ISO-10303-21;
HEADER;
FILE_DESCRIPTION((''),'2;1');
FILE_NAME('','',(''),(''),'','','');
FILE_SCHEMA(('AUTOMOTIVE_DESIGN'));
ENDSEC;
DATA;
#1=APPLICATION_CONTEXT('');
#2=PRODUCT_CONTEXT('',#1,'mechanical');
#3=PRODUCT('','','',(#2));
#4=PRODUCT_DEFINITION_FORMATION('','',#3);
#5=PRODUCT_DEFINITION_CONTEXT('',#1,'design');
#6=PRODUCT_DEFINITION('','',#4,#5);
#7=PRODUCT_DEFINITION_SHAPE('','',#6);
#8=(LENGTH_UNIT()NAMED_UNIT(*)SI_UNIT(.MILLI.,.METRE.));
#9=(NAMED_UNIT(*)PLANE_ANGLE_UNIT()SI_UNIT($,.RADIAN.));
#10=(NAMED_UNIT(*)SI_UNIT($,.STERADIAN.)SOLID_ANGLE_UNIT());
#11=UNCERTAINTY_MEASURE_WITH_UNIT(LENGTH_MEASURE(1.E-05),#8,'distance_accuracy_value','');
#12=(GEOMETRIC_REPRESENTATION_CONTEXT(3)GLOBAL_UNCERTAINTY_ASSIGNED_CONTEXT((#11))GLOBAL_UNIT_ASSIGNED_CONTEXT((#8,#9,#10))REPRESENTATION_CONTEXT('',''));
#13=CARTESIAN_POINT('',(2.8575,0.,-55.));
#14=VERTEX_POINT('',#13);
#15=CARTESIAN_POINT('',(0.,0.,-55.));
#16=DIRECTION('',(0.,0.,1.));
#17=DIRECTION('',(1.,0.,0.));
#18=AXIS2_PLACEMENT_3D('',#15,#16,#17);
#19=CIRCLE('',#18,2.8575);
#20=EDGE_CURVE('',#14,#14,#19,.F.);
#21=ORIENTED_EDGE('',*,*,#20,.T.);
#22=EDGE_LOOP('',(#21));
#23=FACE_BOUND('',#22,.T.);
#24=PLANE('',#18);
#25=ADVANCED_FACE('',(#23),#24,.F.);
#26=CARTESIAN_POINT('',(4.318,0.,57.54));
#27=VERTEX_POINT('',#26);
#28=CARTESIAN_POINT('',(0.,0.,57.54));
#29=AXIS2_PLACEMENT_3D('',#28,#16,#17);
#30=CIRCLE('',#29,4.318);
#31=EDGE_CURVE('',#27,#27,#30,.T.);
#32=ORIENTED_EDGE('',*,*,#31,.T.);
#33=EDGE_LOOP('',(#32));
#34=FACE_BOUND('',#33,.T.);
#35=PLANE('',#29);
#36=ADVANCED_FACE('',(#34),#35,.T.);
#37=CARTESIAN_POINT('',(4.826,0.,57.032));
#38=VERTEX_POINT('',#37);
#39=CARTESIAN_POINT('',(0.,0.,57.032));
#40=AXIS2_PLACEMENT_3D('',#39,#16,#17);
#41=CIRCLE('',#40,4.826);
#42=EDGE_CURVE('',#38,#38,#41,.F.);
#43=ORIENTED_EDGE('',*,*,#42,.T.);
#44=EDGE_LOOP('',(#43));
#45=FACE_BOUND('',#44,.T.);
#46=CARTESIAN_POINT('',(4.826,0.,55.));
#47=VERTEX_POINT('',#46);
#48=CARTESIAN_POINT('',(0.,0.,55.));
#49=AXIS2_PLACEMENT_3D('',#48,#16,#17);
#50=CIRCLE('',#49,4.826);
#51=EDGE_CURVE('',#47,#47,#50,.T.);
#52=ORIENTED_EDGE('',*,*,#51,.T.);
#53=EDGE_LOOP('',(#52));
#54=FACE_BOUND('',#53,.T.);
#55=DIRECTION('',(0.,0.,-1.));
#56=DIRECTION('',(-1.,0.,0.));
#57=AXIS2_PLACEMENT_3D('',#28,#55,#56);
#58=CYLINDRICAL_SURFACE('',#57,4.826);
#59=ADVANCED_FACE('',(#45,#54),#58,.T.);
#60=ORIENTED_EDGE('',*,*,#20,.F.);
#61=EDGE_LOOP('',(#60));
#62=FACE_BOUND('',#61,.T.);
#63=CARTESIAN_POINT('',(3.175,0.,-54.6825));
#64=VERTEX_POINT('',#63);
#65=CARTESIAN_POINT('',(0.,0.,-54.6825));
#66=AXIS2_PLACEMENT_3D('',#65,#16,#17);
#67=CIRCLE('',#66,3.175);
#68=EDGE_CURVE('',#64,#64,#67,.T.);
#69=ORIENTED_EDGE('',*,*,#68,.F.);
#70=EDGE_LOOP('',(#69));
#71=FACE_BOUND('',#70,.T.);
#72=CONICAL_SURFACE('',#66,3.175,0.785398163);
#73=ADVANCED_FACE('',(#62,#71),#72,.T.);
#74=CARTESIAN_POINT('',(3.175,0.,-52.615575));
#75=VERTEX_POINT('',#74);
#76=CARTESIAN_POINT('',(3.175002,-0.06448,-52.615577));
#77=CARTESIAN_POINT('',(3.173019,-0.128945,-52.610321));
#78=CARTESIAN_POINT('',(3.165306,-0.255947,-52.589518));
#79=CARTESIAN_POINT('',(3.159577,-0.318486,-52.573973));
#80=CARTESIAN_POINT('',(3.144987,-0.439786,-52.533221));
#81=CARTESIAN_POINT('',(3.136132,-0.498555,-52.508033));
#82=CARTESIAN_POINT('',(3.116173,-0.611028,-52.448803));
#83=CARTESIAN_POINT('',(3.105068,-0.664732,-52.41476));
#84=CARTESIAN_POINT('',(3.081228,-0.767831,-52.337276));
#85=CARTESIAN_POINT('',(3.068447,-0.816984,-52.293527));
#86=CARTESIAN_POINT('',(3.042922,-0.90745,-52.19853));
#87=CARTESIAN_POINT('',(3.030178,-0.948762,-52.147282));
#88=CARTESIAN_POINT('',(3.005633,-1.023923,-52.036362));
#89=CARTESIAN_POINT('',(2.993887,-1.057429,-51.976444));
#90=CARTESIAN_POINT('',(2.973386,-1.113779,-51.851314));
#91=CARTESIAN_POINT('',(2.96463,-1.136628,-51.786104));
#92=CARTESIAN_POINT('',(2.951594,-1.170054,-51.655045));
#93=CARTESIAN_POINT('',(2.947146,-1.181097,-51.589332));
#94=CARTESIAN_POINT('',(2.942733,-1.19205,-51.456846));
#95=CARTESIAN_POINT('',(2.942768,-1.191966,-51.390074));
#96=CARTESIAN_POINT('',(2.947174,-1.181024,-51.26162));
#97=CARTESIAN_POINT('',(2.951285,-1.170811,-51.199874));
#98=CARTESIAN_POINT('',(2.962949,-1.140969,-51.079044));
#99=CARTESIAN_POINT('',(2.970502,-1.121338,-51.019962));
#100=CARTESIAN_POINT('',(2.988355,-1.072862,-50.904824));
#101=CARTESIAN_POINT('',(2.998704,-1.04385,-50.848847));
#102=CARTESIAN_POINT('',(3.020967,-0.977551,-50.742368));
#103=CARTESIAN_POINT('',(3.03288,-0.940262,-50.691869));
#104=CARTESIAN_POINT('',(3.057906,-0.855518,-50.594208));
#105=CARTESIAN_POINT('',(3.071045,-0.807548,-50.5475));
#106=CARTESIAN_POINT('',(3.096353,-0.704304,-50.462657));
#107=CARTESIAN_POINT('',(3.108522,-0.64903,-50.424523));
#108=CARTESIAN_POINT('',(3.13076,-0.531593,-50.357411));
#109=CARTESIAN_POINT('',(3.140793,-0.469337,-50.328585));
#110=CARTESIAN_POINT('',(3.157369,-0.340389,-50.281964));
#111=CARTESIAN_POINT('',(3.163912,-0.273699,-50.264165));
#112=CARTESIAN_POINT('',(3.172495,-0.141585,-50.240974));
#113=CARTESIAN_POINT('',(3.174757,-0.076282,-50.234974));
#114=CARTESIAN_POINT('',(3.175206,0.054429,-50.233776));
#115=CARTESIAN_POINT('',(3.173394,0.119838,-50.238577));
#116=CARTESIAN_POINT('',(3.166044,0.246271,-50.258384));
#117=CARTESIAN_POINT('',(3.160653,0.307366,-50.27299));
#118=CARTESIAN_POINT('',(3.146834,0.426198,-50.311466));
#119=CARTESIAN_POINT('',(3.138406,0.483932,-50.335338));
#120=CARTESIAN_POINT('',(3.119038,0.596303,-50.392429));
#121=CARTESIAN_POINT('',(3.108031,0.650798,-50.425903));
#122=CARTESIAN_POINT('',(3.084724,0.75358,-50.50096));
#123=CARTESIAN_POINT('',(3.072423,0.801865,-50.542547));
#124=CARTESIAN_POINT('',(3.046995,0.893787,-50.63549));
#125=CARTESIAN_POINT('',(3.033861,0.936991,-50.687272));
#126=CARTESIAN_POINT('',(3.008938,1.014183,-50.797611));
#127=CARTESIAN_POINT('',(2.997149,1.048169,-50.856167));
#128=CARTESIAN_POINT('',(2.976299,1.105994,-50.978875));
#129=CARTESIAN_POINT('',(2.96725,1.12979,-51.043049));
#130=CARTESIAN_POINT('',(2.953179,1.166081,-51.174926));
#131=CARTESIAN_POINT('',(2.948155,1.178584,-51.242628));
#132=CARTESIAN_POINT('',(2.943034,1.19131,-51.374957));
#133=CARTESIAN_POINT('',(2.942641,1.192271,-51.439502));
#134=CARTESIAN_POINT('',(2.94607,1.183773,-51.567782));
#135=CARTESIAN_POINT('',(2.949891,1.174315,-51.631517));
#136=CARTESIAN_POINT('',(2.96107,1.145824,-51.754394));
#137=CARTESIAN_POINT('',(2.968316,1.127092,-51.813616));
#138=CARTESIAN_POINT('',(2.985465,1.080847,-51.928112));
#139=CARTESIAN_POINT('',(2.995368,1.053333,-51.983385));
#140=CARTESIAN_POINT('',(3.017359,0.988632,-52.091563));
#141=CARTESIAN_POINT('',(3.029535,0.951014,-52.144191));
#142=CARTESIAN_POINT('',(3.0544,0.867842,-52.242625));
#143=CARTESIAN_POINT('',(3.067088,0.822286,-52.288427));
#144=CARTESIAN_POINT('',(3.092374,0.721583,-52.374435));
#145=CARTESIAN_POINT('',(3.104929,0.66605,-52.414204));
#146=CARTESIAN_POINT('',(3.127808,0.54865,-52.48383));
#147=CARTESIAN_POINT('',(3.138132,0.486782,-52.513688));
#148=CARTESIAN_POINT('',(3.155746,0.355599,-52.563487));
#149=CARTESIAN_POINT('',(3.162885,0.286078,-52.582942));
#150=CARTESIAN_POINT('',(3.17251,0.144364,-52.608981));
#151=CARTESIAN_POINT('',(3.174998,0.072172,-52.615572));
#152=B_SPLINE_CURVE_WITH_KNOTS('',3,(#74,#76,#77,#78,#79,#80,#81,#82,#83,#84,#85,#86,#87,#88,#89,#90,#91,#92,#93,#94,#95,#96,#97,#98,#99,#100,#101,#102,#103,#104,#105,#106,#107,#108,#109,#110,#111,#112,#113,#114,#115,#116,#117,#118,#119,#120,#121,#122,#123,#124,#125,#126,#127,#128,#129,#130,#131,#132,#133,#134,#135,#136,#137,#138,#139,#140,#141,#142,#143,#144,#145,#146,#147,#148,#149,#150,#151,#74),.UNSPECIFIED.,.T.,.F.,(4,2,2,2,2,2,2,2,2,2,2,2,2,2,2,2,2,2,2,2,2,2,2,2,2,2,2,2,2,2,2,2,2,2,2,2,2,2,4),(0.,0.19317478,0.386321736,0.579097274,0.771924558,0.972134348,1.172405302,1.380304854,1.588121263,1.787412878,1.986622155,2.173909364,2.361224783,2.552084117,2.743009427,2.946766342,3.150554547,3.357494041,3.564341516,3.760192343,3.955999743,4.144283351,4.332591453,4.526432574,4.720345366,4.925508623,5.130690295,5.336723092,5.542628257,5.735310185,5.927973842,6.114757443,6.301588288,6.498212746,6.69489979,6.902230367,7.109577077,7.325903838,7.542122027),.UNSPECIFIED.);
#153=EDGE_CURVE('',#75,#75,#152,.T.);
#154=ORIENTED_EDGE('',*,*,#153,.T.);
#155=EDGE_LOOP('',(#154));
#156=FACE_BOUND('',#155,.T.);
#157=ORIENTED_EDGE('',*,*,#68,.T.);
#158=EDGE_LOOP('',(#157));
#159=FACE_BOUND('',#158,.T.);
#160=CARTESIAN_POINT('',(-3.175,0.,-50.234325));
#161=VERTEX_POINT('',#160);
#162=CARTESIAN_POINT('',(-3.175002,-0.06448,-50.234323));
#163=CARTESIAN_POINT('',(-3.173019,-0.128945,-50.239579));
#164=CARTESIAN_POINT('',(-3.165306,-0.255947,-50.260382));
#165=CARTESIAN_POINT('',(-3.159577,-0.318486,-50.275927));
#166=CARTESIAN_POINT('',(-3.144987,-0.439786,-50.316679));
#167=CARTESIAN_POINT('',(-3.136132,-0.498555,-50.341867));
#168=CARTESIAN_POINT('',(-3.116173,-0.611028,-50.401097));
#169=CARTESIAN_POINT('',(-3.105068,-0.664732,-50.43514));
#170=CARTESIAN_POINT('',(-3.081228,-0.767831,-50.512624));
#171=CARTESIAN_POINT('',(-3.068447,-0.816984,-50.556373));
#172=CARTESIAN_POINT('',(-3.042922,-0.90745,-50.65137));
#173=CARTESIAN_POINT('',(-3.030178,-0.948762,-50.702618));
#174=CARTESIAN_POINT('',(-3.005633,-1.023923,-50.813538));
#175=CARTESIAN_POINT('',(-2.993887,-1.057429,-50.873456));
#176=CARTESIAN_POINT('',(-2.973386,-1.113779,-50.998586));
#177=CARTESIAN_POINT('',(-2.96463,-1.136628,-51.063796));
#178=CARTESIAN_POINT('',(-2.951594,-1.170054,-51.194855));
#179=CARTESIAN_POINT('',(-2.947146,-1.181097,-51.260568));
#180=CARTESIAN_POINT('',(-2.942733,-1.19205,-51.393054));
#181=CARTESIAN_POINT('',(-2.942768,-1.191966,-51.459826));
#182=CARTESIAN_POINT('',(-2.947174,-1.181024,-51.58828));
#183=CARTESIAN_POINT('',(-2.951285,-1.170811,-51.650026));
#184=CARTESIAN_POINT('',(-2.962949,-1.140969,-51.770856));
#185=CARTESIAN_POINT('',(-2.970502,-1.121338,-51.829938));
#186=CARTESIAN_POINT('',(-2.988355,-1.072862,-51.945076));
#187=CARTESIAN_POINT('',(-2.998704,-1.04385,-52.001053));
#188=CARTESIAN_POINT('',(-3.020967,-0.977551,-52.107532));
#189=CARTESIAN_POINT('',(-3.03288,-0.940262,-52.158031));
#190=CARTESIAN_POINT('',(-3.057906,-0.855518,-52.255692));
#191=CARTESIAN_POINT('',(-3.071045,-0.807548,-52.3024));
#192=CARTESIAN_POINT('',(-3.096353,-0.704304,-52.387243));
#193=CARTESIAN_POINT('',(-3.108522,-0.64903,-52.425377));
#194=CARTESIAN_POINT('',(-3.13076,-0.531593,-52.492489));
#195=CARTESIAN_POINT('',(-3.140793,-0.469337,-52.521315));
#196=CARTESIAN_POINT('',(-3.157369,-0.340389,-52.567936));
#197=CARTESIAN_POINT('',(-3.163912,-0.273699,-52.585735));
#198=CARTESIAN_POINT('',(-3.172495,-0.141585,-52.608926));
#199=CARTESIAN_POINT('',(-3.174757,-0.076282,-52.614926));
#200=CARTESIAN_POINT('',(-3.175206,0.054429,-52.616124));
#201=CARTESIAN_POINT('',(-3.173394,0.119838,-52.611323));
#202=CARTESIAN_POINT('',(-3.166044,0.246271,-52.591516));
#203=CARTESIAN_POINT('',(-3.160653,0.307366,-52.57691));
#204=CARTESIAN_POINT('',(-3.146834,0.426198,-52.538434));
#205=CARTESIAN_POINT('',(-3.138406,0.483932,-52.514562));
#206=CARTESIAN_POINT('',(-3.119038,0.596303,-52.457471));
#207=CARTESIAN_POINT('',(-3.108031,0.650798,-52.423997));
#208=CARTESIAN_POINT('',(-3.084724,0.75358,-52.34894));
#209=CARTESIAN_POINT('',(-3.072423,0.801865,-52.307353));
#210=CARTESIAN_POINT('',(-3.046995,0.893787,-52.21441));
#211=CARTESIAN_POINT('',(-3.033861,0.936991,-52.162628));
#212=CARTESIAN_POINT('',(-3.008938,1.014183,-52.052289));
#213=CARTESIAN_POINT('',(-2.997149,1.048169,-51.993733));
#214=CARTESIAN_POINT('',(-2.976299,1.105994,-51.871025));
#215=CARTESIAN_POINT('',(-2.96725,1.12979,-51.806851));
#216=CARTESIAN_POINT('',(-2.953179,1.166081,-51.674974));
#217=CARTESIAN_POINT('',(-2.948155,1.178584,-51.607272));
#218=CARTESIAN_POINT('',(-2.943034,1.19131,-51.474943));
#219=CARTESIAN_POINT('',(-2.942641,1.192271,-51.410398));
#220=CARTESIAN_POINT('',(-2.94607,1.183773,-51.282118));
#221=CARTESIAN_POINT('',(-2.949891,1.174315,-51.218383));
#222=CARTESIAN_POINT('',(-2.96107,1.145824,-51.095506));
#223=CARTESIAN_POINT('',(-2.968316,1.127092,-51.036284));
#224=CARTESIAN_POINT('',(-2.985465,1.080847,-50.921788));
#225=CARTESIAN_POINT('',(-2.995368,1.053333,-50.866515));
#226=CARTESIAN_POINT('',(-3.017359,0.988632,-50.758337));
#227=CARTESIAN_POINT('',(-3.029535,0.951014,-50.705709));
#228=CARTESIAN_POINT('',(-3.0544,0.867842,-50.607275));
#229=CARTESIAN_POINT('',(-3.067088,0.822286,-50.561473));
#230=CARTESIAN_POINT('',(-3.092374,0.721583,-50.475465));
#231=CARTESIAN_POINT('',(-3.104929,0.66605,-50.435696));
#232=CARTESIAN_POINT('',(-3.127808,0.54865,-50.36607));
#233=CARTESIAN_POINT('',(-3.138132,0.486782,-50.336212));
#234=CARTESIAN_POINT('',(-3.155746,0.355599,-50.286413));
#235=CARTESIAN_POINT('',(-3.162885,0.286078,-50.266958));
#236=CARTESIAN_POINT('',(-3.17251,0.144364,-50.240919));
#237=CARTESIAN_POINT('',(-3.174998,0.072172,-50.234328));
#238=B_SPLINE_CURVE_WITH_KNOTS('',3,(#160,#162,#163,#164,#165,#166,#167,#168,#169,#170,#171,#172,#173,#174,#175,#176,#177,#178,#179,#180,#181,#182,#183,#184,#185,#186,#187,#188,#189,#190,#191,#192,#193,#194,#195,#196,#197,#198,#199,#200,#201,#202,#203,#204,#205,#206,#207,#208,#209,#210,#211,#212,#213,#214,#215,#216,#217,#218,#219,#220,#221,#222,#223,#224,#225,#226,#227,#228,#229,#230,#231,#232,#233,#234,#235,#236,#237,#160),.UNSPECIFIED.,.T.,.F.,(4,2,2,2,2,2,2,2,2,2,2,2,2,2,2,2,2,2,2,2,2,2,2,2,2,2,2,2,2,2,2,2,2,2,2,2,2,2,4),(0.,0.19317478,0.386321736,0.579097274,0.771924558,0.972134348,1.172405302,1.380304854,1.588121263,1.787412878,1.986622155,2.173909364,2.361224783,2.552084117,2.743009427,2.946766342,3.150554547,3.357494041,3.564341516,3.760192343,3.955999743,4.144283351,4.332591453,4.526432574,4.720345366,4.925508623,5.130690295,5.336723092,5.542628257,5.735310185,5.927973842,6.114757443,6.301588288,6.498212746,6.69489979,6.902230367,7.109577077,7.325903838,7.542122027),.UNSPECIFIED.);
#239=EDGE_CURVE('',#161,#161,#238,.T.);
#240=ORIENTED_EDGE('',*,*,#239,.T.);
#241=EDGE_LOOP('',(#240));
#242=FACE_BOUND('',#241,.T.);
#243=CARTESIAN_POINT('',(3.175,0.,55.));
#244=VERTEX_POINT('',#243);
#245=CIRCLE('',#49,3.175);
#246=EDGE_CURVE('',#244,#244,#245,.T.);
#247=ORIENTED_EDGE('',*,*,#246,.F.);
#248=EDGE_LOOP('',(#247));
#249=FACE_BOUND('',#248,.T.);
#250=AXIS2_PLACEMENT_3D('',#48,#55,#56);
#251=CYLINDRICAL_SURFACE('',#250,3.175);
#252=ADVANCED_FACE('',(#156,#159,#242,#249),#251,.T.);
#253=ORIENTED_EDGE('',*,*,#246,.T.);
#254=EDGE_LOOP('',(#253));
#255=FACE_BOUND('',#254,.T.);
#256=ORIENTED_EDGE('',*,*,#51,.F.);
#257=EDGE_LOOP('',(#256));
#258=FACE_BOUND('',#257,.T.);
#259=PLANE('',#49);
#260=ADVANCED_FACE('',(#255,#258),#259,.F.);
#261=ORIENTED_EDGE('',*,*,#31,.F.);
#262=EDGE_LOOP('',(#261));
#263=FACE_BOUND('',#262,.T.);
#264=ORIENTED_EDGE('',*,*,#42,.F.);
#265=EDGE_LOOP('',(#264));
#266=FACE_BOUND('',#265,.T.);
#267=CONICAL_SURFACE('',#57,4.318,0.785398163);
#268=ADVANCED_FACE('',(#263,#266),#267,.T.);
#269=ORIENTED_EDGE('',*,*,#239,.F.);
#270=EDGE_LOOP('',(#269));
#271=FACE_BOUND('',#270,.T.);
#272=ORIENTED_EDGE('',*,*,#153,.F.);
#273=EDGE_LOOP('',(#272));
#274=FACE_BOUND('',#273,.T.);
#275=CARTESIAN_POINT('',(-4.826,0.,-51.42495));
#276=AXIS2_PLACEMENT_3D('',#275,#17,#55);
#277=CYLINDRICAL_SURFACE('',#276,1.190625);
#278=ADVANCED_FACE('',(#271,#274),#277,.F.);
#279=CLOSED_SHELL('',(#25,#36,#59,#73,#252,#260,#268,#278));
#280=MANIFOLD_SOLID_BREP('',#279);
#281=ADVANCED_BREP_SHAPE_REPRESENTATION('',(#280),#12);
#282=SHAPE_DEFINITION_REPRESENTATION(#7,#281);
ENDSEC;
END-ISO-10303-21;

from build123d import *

# Parameters (mm, degrees)
SKETCH1_R           = 3.175
EXTRUDE1_DEPTH      = 55
SKETCH2_R           = 4.826
EXTRUDE2_DEPTH      = 2.54
CHAMFER1_SIZE       = 0.508
EXTRUDE3_DEPTH      = 58.943352958
EXTRUDE3_DEPTH_BACK = 58.943352958
SKETCH3_R           = 1.190625
CHAMFER2_SIZE       = 0.3175


with BuildPart() as part:
    # Sketch1 → Extrude1 (new, symmetric)
    with BuildSketch(Plane.XY):
        Circle(SKETCH1_R)
    extrude(amount=EXTRUDE1_DEPTH, both=True)

    # Sketch2 → Extrude2 (add)
    with BuildSketch(Plane.XY.offset(55)):
        Circle(SKETCH2_R)
    extrude(amount=EXTRUDE2_DEPTH)

    # Chamfer1
    chamfer1_edges = [part.edges().sort_by_distance(p)[0] for p in [
        (-4.826, 0, 57.54),
    ]]
    chamfer(chamfer1_edges, length=CHAMFER1_SIZE)

    # Sketch3 → Extrude3 (cut, two sides: drawn at the far end of the back side and taken through both)
    with BuildSketch(Plane(origin=(0, 0, 0), x_dir=(0, 0, -1), z_dir=(1, 0, 0)).offset(-EXTRUDE3_DEPTH_BACK)):
        with Locations(Location((51.42495, 0, 0), (0, 0, 179.999999999))):
            Circle(SKETCH3_R)
    extrude(amount=EXTRUDE3_DEPTH + EXTRUDE3_DEPTH_BACK, mode=Mode.SUBTRACT)

    # Chamfer2
    chamfer2_edges = [part.edges().sort_by_distance(p)[0] for p in [
        (-3.175, 0, -55),
    ]]
    chamfer(chamfer2_edges, length=CHAMFER2_SIZE)


solid = part.part
